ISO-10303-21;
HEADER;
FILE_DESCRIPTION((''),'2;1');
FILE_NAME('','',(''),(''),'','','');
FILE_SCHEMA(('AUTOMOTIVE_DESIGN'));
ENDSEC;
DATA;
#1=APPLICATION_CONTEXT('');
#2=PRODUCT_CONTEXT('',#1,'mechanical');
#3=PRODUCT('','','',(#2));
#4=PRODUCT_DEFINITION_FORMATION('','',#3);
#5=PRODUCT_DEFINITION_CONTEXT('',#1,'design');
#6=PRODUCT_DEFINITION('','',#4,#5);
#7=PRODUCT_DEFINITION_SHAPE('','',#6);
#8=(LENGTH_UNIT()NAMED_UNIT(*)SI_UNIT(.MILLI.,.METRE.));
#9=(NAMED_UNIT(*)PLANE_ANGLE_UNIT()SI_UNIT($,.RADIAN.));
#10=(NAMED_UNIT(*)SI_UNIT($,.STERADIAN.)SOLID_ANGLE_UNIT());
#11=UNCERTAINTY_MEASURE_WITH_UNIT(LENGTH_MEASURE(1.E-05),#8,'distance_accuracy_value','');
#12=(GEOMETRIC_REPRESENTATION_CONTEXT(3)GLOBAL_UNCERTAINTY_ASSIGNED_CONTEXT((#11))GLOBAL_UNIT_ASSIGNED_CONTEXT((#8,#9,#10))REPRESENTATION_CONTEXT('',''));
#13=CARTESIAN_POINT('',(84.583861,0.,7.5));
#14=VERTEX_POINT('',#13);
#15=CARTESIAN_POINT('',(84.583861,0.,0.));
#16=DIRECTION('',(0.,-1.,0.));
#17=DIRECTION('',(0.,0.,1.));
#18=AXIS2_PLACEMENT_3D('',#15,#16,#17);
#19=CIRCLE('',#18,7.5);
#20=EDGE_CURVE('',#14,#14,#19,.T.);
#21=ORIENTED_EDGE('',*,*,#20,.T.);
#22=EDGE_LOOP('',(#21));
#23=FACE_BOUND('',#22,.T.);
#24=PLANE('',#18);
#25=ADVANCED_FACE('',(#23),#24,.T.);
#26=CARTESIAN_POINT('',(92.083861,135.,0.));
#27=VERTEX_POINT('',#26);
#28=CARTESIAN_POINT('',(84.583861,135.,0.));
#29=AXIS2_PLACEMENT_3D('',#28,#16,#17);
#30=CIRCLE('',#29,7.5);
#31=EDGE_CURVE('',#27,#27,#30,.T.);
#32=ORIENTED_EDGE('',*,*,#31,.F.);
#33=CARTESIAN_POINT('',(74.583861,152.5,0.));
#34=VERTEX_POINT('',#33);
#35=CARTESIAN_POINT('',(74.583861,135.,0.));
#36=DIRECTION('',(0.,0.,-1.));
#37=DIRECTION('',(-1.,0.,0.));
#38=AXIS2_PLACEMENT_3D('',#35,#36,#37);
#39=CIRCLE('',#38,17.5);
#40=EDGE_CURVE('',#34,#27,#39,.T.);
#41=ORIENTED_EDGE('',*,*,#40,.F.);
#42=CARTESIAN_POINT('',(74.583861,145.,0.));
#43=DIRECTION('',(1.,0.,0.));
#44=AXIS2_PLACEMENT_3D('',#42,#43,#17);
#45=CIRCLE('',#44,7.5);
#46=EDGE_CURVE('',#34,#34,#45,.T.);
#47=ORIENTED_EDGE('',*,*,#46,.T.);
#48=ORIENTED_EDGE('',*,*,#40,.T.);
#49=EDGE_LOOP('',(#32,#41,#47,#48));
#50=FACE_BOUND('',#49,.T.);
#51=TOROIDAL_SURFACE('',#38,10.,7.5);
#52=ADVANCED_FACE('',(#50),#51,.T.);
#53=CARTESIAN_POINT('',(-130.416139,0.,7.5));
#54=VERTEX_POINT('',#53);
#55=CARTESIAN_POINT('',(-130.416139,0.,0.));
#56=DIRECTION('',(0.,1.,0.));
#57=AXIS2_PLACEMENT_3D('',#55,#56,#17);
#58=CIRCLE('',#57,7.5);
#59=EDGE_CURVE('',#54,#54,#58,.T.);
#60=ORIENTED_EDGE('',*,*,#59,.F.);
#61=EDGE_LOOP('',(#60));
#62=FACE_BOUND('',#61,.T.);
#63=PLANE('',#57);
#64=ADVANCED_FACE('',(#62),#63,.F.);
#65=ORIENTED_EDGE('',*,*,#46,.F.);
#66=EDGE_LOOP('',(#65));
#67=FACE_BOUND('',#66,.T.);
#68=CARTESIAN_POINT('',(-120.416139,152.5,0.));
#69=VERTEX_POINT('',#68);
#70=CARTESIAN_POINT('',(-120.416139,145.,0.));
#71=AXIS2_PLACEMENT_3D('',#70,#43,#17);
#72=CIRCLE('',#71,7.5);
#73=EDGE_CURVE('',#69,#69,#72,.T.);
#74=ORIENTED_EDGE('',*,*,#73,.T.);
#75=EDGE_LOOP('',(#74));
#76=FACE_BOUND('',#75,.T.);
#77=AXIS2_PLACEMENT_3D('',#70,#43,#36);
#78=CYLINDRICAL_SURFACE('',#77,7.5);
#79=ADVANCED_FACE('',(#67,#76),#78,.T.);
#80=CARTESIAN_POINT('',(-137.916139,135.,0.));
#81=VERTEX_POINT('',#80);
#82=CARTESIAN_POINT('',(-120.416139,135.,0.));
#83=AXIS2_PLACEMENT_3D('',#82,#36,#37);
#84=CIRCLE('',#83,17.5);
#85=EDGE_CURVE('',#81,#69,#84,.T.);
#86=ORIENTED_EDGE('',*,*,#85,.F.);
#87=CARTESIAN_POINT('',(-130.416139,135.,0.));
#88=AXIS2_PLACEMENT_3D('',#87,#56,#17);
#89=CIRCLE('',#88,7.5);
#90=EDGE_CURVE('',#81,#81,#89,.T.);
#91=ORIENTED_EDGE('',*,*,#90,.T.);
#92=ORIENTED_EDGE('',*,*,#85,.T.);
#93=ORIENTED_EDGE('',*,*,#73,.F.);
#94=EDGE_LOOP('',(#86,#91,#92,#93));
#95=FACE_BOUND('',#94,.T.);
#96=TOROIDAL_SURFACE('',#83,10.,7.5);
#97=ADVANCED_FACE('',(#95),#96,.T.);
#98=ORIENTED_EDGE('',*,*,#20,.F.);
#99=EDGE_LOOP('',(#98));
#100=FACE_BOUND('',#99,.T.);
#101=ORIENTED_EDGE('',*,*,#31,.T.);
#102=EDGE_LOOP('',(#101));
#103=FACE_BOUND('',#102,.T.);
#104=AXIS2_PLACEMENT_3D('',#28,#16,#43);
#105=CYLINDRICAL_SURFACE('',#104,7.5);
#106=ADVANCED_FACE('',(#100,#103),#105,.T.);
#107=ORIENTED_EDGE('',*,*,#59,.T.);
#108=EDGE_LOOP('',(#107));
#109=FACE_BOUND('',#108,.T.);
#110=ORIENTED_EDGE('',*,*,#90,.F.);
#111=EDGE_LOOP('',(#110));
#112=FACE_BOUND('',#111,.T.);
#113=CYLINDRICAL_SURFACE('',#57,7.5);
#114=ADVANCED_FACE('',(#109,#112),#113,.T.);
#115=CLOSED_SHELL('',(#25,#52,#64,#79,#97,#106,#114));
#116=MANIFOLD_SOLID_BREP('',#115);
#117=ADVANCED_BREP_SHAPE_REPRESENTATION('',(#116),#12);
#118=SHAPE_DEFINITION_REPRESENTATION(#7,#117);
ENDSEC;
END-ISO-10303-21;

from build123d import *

# Parameters (mm, degrees)
SKETCH2_R = 7.5


with BuildPart() as part:
    # Sweep1: sweep along a path in Sketch1
    with BuildLine(Plane.XY) as sweep1_path:
        Line((-130.416139423, 0), (-130.416139423, 135))
        ThreePointArc((-130.416139423, 135), (-127.487207235, 142.071067812), (-120.416139423, 145))
        Line((-120.416139423, 145), (74.583860577, 145))
        ThreePointArc((74.583860577, 145), (81.654928388, 142.071067812), (84.583860577, 135))
        Line((84.583860577, 135), (84.583860577, 0))
    # Sketch2 → Sweep1 (sweep)
    with BuildSketch(Plane(origin=(0, 0, 0), x_dir=(1, 0, 0), z_dir=(0, 1, 0))):
        with Locations((-130.416139423, 0)):
            Circle(SKETCH2_R)
    sweep(path=sweep1_path.line)


solid = part.part
